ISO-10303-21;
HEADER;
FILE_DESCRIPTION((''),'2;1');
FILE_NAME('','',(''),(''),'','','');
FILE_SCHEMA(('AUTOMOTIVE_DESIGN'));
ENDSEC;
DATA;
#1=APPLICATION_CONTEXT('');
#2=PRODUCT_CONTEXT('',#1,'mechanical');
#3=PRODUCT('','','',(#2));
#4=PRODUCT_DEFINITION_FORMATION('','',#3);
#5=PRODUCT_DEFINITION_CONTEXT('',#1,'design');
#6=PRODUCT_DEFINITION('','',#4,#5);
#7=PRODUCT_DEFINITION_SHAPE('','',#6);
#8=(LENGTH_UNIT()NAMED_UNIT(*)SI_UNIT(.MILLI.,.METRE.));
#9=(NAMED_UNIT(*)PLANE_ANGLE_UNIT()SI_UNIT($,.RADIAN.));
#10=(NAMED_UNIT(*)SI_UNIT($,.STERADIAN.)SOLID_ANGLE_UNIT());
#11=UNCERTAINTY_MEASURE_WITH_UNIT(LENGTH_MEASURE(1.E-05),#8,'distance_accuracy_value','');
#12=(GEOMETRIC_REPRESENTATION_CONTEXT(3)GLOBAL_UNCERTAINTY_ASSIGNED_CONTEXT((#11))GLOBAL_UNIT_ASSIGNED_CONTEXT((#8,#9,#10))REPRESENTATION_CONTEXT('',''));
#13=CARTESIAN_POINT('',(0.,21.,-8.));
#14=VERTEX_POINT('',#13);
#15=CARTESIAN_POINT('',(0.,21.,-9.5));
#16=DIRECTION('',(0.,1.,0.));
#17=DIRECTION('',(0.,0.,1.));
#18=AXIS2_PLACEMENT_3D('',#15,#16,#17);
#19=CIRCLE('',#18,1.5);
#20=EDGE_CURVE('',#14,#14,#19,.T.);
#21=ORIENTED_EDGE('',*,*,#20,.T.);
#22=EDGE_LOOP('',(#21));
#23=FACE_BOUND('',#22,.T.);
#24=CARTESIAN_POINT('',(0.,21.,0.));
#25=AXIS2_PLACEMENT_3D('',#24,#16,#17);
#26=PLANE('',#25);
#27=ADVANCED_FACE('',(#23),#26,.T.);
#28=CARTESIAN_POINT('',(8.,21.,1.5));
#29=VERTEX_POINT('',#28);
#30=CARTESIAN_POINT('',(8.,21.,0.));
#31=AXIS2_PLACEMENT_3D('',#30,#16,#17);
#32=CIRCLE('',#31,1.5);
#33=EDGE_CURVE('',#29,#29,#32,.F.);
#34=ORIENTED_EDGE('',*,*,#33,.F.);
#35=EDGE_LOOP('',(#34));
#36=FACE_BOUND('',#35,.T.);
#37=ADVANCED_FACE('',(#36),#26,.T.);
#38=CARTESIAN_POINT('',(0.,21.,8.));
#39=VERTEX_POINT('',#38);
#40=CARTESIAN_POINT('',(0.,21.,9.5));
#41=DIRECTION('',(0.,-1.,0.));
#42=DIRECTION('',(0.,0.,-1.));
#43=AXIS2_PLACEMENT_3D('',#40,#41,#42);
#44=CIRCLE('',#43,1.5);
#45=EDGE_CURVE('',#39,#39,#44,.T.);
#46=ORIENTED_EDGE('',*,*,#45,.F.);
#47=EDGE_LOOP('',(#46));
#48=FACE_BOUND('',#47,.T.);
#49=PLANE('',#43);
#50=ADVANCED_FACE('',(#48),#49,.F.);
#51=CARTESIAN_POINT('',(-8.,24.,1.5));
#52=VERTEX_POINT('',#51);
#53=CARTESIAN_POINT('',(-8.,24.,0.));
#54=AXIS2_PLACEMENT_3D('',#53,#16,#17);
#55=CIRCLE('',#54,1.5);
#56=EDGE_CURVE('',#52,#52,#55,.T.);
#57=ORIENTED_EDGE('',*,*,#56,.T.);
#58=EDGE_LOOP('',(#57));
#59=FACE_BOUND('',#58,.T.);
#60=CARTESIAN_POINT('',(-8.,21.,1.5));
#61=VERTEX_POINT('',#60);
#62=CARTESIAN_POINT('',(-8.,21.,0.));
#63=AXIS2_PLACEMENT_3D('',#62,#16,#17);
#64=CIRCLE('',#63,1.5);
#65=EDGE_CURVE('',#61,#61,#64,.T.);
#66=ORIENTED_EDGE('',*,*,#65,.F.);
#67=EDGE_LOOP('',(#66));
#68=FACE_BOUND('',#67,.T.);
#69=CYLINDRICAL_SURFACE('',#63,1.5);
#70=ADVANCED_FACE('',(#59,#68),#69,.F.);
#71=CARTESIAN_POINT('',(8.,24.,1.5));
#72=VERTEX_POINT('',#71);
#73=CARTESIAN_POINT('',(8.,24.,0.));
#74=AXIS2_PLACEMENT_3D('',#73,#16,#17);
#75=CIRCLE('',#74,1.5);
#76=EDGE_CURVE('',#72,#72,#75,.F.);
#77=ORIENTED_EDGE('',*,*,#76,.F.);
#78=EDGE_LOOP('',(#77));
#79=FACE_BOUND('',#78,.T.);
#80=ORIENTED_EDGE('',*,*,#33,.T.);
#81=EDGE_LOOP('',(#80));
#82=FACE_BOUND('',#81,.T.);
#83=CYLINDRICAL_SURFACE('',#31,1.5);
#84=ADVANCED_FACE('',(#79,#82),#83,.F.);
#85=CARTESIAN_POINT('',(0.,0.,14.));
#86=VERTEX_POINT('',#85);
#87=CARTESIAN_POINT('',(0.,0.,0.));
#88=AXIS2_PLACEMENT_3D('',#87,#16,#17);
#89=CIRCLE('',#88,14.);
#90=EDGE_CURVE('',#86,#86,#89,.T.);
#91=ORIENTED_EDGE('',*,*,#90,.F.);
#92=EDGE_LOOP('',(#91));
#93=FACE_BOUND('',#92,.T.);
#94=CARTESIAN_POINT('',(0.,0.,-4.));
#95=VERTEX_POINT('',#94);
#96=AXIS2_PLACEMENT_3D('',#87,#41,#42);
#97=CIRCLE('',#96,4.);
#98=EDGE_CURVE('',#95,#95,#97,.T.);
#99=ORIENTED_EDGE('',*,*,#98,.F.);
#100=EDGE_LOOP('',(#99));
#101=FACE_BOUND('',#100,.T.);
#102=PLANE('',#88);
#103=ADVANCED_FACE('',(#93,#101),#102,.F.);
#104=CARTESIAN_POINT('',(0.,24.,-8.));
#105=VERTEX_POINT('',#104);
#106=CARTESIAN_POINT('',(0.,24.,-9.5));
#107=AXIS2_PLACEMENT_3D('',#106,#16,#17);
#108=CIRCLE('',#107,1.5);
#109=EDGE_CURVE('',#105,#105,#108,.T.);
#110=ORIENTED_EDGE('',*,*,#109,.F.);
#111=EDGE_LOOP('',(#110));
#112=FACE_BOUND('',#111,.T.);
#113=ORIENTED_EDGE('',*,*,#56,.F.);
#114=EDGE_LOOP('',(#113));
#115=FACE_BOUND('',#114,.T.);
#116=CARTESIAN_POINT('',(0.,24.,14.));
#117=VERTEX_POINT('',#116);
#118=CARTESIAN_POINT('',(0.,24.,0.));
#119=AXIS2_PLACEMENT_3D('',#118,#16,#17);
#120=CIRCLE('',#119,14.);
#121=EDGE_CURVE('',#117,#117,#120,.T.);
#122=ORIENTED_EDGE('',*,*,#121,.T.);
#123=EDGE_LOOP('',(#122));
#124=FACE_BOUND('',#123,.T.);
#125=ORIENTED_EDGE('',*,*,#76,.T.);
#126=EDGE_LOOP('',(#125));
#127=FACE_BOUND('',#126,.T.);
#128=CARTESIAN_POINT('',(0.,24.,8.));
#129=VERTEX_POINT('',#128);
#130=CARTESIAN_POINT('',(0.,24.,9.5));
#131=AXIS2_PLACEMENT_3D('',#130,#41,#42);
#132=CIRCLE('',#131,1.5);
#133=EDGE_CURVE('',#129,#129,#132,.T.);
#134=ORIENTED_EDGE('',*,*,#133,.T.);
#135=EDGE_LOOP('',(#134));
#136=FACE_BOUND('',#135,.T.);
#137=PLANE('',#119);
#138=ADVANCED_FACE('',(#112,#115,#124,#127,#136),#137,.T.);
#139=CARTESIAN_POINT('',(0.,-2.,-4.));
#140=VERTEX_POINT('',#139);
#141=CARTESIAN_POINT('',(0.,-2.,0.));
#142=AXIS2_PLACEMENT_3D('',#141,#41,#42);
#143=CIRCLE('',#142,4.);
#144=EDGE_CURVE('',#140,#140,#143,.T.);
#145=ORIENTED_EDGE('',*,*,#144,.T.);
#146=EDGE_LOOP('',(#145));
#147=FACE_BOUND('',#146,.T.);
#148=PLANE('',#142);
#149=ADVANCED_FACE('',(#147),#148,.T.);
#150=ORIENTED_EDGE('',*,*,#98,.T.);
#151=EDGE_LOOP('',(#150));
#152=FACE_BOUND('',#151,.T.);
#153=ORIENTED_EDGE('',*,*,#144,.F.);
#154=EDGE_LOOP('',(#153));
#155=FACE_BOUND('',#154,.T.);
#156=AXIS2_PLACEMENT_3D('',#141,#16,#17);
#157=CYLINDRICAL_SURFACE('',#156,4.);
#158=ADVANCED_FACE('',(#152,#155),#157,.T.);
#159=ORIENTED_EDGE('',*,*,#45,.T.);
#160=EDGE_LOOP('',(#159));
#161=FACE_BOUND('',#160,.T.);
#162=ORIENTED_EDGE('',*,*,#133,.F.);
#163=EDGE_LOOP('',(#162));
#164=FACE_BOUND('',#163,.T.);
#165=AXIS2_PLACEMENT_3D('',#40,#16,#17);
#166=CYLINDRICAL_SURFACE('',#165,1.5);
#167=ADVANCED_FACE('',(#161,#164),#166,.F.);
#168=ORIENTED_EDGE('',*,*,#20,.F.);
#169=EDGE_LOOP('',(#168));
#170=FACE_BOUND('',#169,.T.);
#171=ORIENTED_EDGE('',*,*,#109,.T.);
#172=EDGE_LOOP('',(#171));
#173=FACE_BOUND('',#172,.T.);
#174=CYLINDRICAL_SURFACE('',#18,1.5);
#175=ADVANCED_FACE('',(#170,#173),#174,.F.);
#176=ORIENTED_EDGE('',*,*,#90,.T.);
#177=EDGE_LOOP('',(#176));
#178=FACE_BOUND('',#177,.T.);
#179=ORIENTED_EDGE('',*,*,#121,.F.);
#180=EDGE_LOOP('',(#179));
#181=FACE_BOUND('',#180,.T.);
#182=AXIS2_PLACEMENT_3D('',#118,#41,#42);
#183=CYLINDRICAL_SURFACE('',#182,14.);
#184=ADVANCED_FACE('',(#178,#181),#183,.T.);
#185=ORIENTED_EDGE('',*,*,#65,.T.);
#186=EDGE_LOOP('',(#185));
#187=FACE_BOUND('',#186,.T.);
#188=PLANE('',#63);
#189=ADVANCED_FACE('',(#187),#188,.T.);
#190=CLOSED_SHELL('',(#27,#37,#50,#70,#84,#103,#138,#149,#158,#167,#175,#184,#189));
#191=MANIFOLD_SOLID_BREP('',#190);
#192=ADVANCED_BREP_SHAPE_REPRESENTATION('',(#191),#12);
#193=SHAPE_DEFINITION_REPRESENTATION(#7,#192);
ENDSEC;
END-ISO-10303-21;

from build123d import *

# Parameters (mm, degrees)
SKETCH1_R           = 14
BOSS_EXTRUDE1_DEPTH = 24
SKETCH2_R           = 1.5
CUT_EXTRUDE1_DEPTH  = 3
SKETCH3_R           = 4
BOSS_EXTRUDE2_DEPTH = 2


with BuildPart() as part:
    # Sketch1 → Boss-Extrude1 (new body)
    with BuildSketch(Plane(origin=(0, 0, 0), x_dir=(1, 0, 0), z_dir=(0, 1, 0))):
        Circle(SKETCH1_R)
    extrude(amount=BOSS_EXTRUDE1_DEPTH)

    # Sketch2 → Cut-Extrude1 (cut)
    with BuildSketch(Plane(origin=(0, 24, 0), x_dir=(1, 0, 0), z_dir=(0, 1, 0))):
        with Locations((8, 0)):
            Circle(SKETCH2_R)
        with Locations((0, 9.5)):
            Circle(SKETCH2_R)
        with Locations((-8, 0)):
            Circle(SKETCH2_R)
        with Locations((0, -9.5)):
            Circle(SKETCH2_R)
    extrude(amount=-CUT_EXTRUDE1_DEPTH, mode=Mode.SUBTRACT)

    # Sketch3 → Boss-Extrude2 (add)
    with BuildSketch(Plane.XZ):
        Circle(SKETCH3_R)
    extrude(amount=BOSS_EXTRUDE2_DEPTH)


solid = part.part
